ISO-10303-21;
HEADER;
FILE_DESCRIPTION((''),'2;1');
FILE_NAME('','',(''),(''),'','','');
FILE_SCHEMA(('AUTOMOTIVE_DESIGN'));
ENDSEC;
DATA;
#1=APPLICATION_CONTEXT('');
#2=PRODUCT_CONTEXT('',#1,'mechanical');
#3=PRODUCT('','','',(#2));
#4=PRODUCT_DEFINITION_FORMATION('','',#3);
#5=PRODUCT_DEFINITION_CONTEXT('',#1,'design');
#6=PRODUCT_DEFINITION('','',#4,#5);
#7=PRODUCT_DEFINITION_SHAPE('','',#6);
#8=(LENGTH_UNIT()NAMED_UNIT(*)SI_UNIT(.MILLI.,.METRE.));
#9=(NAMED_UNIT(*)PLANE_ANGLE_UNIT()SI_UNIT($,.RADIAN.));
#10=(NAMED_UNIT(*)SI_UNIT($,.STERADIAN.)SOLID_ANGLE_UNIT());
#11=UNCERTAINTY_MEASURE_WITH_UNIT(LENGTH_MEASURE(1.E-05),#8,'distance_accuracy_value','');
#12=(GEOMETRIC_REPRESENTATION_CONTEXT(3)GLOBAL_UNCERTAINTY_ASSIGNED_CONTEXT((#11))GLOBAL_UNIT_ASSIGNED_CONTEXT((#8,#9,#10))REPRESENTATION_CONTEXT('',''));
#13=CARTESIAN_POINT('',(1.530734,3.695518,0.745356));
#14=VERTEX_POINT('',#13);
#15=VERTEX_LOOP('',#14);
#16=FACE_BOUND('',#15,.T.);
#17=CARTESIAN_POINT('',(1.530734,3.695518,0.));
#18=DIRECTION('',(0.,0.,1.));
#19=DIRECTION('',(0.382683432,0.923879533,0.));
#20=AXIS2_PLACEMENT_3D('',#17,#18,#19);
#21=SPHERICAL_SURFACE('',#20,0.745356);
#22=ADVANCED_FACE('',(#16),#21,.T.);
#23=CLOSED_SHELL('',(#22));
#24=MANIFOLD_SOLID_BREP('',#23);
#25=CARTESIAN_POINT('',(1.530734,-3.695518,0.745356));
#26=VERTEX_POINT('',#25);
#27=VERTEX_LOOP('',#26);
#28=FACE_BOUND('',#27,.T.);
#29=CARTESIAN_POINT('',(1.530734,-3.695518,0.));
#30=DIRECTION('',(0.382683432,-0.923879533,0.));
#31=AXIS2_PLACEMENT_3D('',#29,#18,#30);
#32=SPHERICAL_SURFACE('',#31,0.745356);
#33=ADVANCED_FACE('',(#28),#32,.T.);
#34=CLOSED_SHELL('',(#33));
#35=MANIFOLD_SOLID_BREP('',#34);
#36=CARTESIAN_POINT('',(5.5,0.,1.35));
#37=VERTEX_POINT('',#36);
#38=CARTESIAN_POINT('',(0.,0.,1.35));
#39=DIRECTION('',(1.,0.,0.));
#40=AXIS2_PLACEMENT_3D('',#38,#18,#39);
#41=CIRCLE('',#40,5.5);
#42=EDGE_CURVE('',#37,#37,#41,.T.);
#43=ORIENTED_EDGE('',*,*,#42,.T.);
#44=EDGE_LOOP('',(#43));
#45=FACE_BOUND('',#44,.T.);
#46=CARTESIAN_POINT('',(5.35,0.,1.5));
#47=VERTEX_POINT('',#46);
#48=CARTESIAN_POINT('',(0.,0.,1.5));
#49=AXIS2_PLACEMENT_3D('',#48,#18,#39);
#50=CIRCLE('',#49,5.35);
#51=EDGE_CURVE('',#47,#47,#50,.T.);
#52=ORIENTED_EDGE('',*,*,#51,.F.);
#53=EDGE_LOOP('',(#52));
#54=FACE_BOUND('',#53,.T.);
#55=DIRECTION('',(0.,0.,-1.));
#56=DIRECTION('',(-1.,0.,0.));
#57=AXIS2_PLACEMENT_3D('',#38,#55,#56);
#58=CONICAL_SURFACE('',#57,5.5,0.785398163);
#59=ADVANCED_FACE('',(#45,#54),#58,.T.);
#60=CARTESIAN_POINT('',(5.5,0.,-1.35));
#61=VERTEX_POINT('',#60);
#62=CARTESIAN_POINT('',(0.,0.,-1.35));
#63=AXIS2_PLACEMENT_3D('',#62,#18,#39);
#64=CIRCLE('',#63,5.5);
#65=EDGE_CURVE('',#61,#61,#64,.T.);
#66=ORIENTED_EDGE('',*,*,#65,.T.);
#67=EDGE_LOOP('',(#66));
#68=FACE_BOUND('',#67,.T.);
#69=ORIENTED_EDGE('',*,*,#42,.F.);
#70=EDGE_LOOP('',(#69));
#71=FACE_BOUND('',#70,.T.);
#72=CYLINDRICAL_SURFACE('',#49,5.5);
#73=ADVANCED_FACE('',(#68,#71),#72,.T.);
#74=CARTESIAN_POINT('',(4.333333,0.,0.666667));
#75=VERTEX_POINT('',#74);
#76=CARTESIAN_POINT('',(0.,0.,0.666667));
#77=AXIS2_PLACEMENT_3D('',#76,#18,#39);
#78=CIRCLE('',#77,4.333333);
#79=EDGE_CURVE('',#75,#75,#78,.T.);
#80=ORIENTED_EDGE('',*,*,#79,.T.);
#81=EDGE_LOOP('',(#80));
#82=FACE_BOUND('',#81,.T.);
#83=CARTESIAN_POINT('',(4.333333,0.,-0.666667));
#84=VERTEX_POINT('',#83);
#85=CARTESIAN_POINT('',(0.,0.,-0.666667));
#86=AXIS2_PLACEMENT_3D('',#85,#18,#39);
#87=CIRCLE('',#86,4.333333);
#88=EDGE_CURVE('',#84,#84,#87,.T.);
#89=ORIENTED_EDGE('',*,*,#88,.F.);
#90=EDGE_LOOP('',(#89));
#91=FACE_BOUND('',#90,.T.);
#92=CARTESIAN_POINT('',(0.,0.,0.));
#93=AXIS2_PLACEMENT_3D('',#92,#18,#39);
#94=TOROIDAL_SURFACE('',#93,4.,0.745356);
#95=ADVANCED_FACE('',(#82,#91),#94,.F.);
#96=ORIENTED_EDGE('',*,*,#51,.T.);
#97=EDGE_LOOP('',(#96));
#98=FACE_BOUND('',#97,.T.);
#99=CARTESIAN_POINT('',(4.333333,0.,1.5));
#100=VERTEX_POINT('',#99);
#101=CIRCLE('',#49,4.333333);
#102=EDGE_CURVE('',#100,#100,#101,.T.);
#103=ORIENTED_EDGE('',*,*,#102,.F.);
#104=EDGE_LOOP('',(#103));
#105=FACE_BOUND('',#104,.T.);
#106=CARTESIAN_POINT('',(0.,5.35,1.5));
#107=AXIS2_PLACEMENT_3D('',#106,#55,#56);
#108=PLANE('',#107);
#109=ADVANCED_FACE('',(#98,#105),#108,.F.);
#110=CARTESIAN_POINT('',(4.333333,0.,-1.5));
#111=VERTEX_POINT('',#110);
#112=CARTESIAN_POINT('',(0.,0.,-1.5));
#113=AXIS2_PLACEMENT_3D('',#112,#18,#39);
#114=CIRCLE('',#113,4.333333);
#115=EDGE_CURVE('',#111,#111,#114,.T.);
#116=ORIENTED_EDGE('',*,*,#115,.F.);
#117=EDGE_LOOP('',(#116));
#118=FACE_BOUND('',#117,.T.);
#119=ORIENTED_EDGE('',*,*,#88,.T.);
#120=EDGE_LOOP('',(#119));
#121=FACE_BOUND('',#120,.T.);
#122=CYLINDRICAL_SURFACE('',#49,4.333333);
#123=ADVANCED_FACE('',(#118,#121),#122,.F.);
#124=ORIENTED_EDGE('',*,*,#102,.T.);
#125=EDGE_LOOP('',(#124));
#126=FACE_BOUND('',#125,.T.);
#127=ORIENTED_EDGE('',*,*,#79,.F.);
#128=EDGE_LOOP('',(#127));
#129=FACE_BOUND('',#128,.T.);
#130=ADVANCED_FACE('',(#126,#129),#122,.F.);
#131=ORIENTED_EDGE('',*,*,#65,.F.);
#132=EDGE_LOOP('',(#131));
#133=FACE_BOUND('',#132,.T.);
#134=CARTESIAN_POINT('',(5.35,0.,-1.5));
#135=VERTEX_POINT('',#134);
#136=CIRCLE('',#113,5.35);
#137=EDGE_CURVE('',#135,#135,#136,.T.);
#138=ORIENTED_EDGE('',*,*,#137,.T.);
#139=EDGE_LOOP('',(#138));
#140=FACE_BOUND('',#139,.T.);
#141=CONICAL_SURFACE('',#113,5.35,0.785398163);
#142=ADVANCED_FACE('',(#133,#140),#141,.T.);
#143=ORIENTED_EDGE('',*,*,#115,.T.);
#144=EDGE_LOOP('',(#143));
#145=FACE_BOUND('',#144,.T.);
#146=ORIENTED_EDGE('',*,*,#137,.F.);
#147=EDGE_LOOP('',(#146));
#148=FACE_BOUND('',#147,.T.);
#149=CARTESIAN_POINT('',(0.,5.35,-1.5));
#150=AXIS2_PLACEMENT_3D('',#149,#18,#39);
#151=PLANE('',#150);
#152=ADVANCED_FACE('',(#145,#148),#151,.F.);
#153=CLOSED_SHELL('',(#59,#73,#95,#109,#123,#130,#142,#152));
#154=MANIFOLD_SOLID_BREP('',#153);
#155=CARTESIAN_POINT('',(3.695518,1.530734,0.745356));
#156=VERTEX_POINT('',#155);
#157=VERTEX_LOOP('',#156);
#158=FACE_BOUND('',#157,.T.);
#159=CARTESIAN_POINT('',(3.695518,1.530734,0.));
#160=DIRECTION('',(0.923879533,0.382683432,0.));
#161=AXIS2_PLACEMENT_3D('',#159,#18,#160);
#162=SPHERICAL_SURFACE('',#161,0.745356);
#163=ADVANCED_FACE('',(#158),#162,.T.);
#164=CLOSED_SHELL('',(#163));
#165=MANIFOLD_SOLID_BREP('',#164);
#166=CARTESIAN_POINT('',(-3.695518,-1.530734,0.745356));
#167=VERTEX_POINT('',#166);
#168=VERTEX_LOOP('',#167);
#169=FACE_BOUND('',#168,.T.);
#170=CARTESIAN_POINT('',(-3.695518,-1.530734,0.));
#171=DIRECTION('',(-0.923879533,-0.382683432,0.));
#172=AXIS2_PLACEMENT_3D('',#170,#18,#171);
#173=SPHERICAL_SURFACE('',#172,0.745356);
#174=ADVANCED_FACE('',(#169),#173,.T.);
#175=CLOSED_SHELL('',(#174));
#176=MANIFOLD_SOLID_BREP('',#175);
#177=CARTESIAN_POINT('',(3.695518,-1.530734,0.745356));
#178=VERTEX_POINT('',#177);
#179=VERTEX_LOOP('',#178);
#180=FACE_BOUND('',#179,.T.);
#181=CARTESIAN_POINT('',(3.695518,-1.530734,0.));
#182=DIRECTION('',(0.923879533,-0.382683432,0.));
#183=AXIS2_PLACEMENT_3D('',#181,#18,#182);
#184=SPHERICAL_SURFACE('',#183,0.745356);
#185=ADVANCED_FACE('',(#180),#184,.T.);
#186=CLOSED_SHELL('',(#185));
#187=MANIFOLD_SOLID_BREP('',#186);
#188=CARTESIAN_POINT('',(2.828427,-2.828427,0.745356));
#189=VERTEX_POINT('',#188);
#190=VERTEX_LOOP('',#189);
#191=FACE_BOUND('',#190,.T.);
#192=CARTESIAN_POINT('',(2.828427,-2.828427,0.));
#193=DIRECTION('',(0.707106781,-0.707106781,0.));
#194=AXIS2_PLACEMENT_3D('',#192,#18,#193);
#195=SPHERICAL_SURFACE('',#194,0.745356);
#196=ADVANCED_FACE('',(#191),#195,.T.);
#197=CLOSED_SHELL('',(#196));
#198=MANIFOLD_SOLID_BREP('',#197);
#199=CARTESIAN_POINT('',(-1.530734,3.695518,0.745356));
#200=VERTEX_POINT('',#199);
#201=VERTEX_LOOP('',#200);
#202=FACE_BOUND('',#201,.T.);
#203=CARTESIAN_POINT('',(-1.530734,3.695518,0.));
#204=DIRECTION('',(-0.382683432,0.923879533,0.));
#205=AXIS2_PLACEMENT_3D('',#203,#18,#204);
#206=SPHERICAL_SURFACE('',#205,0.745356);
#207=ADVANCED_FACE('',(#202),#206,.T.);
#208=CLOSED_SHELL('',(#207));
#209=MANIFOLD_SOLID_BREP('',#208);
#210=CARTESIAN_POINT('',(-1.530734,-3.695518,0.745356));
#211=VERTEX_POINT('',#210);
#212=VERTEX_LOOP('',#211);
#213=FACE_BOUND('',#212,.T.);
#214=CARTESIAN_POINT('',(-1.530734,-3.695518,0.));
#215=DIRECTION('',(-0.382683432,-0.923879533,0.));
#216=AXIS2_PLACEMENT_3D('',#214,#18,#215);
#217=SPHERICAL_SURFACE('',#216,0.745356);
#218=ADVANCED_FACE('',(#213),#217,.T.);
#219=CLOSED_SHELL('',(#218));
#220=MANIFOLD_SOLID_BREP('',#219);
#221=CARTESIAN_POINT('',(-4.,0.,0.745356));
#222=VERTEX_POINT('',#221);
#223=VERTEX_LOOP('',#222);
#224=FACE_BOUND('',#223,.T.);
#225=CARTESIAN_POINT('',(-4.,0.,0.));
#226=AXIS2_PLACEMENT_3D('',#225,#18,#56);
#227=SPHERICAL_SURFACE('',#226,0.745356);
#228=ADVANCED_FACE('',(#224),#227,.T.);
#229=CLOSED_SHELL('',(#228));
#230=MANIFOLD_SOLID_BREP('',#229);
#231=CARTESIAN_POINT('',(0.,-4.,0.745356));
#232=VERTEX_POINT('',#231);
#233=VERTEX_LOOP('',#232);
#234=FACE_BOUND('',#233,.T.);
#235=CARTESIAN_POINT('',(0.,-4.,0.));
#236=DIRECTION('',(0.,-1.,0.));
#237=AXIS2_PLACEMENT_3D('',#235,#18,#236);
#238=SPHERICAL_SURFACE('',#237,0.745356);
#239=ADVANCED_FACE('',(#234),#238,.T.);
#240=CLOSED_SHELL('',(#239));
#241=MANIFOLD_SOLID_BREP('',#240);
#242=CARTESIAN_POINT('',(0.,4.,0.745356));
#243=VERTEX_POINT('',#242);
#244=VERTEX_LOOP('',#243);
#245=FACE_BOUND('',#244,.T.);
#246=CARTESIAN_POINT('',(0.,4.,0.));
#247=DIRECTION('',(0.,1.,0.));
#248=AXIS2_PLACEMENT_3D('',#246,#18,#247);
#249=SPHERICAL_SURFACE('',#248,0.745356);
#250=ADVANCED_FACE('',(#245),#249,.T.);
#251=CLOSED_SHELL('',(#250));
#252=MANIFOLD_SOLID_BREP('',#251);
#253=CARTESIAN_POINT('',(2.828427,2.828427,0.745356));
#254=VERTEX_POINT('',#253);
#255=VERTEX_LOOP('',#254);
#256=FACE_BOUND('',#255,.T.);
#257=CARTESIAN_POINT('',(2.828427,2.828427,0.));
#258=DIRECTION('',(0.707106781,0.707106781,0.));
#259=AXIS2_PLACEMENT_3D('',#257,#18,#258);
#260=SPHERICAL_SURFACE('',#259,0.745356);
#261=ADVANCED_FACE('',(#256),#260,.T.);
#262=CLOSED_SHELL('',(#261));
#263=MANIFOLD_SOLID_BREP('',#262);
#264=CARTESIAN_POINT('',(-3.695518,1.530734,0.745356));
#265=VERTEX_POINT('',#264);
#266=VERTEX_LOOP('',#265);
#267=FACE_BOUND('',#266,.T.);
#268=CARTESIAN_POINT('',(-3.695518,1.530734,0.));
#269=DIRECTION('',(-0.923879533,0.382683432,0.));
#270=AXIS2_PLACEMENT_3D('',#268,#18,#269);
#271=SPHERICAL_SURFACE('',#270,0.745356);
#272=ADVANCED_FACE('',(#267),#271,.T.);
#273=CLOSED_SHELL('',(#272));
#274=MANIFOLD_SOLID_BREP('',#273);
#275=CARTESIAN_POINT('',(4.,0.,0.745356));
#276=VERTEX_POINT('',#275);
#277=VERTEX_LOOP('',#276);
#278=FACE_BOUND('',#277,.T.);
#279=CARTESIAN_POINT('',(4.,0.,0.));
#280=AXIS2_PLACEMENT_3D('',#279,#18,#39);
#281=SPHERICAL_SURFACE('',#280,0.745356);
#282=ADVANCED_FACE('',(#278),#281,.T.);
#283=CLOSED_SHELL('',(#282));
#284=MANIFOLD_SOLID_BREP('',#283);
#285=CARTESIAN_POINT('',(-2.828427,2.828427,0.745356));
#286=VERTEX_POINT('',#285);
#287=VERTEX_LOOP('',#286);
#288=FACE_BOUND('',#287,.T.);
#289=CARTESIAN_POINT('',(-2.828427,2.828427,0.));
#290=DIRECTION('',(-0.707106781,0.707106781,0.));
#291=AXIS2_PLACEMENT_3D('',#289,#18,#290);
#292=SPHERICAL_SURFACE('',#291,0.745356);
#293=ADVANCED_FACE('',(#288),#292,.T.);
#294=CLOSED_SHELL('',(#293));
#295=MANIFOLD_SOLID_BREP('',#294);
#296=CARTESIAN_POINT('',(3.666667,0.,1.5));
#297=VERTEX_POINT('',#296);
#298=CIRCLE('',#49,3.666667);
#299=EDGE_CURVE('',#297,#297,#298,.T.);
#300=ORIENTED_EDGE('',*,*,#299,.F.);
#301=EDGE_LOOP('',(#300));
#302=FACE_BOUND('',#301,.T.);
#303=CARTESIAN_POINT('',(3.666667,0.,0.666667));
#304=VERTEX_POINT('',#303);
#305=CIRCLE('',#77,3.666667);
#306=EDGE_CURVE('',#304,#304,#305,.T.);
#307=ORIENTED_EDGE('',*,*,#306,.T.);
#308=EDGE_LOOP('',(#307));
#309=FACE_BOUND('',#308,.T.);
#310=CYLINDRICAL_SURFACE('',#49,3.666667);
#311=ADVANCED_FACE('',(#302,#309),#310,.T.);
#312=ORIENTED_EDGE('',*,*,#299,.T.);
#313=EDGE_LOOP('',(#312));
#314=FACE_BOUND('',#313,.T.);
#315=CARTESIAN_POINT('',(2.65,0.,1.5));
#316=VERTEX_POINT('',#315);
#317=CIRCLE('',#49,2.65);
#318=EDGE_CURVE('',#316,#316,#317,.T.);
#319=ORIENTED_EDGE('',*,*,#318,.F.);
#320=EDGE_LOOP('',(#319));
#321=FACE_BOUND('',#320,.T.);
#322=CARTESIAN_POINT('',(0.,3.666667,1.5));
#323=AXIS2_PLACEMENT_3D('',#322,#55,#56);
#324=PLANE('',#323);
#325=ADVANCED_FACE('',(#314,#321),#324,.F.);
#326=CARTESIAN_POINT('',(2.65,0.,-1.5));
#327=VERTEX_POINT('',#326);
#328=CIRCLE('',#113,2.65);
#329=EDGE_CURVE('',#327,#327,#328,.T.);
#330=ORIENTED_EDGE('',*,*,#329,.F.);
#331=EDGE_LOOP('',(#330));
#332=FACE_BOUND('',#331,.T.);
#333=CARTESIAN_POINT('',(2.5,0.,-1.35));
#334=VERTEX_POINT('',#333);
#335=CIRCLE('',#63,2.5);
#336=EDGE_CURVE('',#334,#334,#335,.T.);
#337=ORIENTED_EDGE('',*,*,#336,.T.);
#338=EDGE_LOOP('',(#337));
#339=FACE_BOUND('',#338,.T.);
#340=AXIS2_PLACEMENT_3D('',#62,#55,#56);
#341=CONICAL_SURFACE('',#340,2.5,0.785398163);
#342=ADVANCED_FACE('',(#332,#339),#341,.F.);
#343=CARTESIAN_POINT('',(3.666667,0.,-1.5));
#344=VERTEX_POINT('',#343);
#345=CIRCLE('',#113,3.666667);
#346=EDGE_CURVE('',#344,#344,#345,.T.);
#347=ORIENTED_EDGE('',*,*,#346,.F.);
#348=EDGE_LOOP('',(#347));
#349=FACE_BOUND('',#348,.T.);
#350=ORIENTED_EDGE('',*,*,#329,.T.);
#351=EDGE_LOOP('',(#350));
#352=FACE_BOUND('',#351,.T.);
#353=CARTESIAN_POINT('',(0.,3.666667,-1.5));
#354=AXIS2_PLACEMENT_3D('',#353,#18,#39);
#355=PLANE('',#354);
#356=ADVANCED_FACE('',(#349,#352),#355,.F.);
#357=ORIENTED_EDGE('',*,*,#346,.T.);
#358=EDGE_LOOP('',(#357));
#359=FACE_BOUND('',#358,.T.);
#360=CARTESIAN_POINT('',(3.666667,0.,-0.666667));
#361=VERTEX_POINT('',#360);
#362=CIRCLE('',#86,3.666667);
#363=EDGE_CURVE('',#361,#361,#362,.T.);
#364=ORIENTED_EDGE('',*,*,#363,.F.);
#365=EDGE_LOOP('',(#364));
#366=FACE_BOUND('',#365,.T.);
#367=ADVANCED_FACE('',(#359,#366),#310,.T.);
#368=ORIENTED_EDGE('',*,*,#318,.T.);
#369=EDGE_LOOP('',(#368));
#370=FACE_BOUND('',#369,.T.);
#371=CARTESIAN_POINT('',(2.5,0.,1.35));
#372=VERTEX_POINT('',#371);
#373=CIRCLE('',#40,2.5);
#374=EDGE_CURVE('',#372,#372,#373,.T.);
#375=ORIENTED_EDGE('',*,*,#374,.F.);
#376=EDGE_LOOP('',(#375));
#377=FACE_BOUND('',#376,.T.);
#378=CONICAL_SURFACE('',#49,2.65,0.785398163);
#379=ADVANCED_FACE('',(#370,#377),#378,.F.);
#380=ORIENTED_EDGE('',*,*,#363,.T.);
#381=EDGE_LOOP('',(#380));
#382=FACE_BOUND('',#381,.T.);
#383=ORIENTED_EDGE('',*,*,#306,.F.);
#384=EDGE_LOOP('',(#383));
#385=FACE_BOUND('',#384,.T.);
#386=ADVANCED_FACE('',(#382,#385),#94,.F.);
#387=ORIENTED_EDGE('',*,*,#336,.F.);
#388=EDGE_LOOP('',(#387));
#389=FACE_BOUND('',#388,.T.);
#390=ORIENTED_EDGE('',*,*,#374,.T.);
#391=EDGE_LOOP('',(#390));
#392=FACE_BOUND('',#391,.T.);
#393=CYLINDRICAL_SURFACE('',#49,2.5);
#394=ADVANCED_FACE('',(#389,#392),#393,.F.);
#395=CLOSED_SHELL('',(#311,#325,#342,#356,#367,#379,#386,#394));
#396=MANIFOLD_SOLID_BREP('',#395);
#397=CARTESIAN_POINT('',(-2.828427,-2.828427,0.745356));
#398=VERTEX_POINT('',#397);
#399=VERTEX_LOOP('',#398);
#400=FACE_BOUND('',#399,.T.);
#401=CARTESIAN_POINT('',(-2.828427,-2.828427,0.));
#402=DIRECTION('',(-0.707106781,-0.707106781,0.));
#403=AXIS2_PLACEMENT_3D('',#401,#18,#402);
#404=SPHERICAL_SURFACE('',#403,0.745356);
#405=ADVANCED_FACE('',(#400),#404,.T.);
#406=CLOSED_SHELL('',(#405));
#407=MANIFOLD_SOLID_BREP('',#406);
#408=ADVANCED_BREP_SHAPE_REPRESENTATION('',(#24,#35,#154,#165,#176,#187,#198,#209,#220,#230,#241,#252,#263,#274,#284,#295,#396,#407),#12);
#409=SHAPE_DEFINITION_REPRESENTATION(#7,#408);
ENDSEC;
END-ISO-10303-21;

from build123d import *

# Parameters (mm, degrees)
CIRPATTERN1_COUNT = 16


with BuildPart() as part:
    # Sketch2 → Revolve1 (revolve)
    with BuildSketch(Plane(origin=(0, 0, 0), x_dir=(0, 0, -1), z_dir=(1, 0, 0))):
        with BuildLine():
            Line((-1.5, 3.666666667), (-0.666666667, 3.666666667))
            ThreePointArc((-0.666666667, 3.666666667), (0, 3.254644008), (0.666666667, 3.666666667))
            Line((0.666666667, 3.666666667), (1.5, 3.666666667))
            Line((1.5, 3.666666667), (1.5, 2.65))
            Line((1.5, 2.65), (1.35, 2.5))
            Line((1.35, 2.5), (-1.35, 2.5))
            Line((-1.35, 2.5), (-1.5, 2.65))
            Line((-1.5, 2.65), (-1.5, 3.666666667))
        make_face()
        with BuildLine():
            Line((1.35, 5.5), (1.5, 5.35))
            Line((1.5, 5.35), (1.5, 4.333333333))
            Line((1.5, 4.333333333), (0.666666667, 4.333333333))
            ThreePointArc((0.666666667, 4.333333333), (0, 4.745355992), (-0.666666667, 4.333333333))
            Line((-0.666666667, 4.333333333), (-1.5, 4.333333333))
            Line((-1.5, 4.333333333), (-1.5, 5.35))
            Line((-1.5, 5.35), (-1.35, 5.5))
            Line((-1.35, 5.5), (1.35, 5.5))
        make_face()
    revolve(axis=Axis((0, 0, 1.5), (0, 0, -1)))


with BuildPart() as body_2:
    # Sketch3 → Revolve2 (revolve)
    with BuildSketch(Plane(origin=(0, 0, 0), x_dir=(0, 0, -1), z_dir=(1, 0, 0))):
        with BuildLine():
            Line((-0.745355992, 4), (0.745355992, 4))
            ThreePointArc((0.745355992, 4), (0, 4.745355992), (-0.745355992, 4))
        make_face()
    revolve(axis=Axis((0, 4, 0.745355992), (0, 0, -1)))


with BuildPart() as cirpattern1_1:
    # CirPattern1: pattern copy
    add(body_2.part.rotate(Axis((0, 0, -1.5), (0, 0, 1)), 1 * 360 / CIRPATTERN1_COUNT))


with BuildPart() as cirpattern1_2:
    # CirPattern1: pattern copy
    add(body_2.part.rotate(Axis((0, 0, -1.5), (0, 0, 1)), 2 * 360 / CIRPATTERN1_COUNT))


with BuildPart() as cirpattern1_3:
    # CirPattern1: pattern copy
    add(body_2.part.rotate(Axis((0, 0, -1.5), (0, 0, 1)), 3 * 360 / CIRPATTERN1_COUNT))


with BuildPart() as cirpattern1_4:
    # CirPattern1: pattern copy
    add(body_2.part.rotate(Axis((0, 0, -1.5), (0, 0, 1)), 4 * 360 / CIRPATTERN1_COUNT))


with BuildPart() as cirpattern1_5:
    # CirPattern1: pattern copy
    add(body_2.part.rotate(Axis((0, 0, -1.5), (0, 0, 1)), 5 * 360 / CIRPATTERN1_COUNT))


with BuildPart() as cirpattern1_6:
    # CirPattern1: pattern copy
    add(body_2.part.rotate(Axis((0, 0, -1.5), (0, 0, 1)), 6 * 360 / CIRPATTERN1_COUNT))


with BuildPart() as cirpattern1_7:
    # CirPattern1: pattern copy
    add(body_2.part.rotate(Axis((0, 0, -1.5), (0, 0, 1)), 7 * 360 / CIRPATTERN1_COUNT))


with BuildPart() as cirpattern1_8:
    # CirPattern1: pattern copy
    add(body_2.part.rotate(Axis((0, 0, -1.5), (0, 0, 1)), 8 * 360 / CIRPATTERN1_COUNT))


with BuildPart() as cirpattern1_9:
    # CirPattern1: pattern copy
    add(body_2.part.rotate(Axis((0, 0, -1.5), (0, 0, 1)), 9 * 360 / CIRPATTERN1_COUNT))


with BuildPart() as cirpattern1_10:
    # CirPattern1: pattern copy
    add(body_2.part.rotate(Axis((0, 0, -1.5), (0, 0, 1)), 10 * 360 / CIRPATTERN1_COUNT))


with BuildPart() as cirpattern1_11:
    # CirPattern1: pattern copy
    add(body_2.part.rotate(Axis((0, 0, -1.5), (0, 0, 1)), 11 * 360 / CIRPATTERN1_COUNT))


with BuildPart() as cirpattern1_12:
    # CirPattern1: pattern copy
    add(body_2.part.rotate(Axis((0, 0, -1.5), (0, 0, 1)), 12 * 360 / CIRPATTERN1_COUNT))


with BuildPart() as cirpattern1_13:
    # CirPattern1: pattern copy
    add(body_2.part.rotate(Axis((0, 0, -1.5), (0, 0, 1)), 13 * 360 / CIRPATTERN1_COUNT))


with BuildPart() as cirpattern1_14:
    # CirPattern1: pattern copy
    add(body_2.part.rotate(Axis((0, 0, -1.5), (0, 0, 1)), 14 * 360 / CIRPATTERN1_COUNT))


with BuildPart() as cirpattern1_15:
    # CirPattern1: pattern copy
    add(body_2.part.rotate(Axis((0, 0, -1.5), (0, 0, 1)), 15 * 360 / CIRPATTERN1_COUNT))


solid = Compound([part.part, body_2.part, cirpattern1_1.part, cirpattern1_2.part, cirpattern1_3.part, cirpattern1_4.part, cirpattern1_5.part, cirpattern1_6.part, cirpattern1_7.part, cirpattern1_8.part, cirpattern1_9.part, cirpattern1_10.part, cirpattern1_11.part, cirpattern1_12.part, cirpattern1_13.part, cirpattern1_14.part, cirpattern1_15.part])
